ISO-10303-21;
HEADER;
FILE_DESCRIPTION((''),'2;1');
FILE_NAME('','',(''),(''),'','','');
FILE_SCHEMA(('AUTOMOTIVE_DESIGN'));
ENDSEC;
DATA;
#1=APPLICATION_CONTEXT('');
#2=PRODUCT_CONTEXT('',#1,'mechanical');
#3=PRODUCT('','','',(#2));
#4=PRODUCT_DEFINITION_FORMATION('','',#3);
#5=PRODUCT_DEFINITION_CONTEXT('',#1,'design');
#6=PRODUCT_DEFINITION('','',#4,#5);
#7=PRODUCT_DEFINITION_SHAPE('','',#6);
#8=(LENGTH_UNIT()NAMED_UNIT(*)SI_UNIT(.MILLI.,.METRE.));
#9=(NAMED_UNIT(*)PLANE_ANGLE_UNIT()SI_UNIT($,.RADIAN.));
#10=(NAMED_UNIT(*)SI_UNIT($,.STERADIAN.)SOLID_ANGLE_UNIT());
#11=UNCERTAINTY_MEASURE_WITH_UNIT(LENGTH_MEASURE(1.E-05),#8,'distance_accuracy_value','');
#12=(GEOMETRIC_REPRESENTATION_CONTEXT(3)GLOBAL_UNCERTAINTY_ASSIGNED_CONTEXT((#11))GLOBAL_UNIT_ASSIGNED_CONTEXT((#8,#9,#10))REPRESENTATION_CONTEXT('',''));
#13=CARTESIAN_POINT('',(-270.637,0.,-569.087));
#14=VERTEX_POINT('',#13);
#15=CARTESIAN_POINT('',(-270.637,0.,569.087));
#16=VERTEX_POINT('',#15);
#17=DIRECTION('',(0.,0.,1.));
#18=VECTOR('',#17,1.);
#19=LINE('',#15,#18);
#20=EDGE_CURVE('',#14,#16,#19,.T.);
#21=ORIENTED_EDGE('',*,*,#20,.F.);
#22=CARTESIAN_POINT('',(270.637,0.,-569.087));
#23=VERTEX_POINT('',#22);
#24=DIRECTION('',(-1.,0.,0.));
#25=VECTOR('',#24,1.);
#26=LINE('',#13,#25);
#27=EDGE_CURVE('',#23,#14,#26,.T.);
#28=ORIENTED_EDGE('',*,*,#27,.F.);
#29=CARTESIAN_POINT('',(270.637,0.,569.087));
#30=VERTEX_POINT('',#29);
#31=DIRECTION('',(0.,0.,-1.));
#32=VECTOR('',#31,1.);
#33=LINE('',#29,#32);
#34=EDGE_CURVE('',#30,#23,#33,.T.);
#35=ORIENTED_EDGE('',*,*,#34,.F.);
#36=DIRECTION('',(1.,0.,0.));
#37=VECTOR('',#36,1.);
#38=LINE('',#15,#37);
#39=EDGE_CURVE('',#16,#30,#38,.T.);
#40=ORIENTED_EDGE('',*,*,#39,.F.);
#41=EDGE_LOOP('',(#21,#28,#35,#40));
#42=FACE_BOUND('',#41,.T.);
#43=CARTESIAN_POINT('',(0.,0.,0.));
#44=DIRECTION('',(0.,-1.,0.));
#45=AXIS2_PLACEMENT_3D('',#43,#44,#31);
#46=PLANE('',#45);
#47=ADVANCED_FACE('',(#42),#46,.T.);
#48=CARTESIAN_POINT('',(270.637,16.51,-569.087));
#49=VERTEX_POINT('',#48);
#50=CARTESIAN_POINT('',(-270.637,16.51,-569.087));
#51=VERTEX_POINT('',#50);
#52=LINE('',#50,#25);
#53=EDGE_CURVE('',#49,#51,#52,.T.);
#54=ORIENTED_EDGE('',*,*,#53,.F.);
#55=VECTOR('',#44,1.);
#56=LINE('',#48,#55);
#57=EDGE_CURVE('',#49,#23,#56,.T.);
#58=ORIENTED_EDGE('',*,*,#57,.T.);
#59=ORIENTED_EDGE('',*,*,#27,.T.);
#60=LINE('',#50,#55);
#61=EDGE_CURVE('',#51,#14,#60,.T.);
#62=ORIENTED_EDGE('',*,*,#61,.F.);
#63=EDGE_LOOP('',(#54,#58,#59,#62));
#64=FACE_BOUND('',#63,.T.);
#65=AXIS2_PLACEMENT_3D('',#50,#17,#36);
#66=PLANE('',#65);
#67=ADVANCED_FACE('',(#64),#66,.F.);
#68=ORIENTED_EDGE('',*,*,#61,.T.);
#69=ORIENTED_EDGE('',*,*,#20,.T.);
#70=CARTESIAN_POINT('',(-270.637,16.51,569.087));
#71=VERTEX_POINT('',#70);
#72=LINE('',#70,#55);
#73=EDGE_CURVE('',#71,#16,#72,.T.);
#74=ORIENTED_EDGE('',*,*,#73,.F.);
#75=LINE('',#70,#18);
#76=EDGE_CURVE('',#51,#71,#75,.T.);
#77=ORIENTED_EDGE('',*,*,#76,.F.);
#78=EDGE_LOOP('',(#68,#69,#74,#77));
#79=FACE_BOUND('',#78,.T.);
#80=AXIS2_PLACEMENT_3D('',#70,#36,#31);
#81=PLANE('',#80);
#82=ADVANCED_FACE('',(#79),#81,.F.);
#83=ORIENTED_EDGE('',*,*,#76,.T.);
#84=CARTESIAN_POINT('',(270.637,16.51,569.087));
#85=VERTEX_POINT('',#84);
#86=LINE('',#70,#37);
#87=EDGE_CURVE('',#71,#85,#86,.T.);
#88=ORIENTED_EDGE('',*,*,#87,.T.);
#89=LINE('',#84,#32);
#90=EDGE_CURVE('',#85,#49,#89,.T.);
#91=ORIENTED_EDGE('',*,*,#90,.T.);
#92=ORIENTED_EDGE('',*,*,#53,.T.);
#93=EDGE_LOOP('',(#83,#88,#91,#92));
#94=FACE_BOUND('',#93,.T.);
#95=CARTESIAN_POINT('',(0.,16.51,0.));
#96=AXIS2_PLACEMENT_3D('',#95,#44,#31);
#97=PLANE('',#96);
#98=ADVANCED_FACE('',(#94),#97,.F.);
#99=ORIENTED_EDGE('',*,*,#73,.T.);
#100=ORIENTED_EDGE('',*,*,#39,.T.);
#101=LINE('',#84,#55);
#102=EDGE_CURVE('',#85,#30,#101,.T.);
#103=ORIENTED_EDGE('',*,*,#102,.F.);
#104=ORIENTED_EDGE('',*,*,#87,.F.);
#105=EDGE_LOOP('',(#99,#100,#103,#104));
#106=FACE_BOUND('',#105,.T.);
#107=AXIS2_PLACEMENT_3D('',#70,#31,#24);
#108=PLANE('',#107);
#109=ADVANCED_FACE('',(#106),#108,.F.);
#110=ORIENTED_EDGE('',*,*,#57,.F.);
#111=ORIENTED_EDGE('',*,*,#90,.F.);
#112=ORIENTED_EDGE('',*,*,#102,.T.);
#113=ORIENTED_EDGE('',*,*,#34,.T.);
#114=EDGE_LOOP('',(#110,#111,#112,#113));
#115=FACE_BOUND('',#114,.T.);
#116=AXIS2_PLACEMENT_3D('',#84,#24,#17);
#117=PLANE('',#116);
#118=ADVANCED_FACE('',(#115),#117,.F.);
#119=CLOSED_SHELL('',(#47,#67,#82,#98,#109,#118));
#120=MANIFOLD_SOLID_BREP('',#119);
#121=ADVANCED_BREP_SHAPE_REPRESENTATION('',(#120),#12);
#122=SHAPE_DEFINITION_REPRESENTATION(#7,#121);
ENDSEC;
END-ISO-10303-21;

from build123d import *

# Parameters (mm, degrees)
SKETCH1_W           = 541.274
SKETCH1_H           = 1138.174
BOSS_EXTRUDE1_DEPTH = 16.51


with BuildPart() as part:
    # Sketch1 → Boss-Extrude1 (new body)
    with BuildSketch(Plane(origin=(0, 0, 0), x_dir=(1, 0, 0), z_dir=(0, 1, 0))):
        Rectangle(SKETCH1_W, SKETCH1_H)
    extrude(amount=BOSS_EXTRUDE1_DEPTH)


solid = part.part
